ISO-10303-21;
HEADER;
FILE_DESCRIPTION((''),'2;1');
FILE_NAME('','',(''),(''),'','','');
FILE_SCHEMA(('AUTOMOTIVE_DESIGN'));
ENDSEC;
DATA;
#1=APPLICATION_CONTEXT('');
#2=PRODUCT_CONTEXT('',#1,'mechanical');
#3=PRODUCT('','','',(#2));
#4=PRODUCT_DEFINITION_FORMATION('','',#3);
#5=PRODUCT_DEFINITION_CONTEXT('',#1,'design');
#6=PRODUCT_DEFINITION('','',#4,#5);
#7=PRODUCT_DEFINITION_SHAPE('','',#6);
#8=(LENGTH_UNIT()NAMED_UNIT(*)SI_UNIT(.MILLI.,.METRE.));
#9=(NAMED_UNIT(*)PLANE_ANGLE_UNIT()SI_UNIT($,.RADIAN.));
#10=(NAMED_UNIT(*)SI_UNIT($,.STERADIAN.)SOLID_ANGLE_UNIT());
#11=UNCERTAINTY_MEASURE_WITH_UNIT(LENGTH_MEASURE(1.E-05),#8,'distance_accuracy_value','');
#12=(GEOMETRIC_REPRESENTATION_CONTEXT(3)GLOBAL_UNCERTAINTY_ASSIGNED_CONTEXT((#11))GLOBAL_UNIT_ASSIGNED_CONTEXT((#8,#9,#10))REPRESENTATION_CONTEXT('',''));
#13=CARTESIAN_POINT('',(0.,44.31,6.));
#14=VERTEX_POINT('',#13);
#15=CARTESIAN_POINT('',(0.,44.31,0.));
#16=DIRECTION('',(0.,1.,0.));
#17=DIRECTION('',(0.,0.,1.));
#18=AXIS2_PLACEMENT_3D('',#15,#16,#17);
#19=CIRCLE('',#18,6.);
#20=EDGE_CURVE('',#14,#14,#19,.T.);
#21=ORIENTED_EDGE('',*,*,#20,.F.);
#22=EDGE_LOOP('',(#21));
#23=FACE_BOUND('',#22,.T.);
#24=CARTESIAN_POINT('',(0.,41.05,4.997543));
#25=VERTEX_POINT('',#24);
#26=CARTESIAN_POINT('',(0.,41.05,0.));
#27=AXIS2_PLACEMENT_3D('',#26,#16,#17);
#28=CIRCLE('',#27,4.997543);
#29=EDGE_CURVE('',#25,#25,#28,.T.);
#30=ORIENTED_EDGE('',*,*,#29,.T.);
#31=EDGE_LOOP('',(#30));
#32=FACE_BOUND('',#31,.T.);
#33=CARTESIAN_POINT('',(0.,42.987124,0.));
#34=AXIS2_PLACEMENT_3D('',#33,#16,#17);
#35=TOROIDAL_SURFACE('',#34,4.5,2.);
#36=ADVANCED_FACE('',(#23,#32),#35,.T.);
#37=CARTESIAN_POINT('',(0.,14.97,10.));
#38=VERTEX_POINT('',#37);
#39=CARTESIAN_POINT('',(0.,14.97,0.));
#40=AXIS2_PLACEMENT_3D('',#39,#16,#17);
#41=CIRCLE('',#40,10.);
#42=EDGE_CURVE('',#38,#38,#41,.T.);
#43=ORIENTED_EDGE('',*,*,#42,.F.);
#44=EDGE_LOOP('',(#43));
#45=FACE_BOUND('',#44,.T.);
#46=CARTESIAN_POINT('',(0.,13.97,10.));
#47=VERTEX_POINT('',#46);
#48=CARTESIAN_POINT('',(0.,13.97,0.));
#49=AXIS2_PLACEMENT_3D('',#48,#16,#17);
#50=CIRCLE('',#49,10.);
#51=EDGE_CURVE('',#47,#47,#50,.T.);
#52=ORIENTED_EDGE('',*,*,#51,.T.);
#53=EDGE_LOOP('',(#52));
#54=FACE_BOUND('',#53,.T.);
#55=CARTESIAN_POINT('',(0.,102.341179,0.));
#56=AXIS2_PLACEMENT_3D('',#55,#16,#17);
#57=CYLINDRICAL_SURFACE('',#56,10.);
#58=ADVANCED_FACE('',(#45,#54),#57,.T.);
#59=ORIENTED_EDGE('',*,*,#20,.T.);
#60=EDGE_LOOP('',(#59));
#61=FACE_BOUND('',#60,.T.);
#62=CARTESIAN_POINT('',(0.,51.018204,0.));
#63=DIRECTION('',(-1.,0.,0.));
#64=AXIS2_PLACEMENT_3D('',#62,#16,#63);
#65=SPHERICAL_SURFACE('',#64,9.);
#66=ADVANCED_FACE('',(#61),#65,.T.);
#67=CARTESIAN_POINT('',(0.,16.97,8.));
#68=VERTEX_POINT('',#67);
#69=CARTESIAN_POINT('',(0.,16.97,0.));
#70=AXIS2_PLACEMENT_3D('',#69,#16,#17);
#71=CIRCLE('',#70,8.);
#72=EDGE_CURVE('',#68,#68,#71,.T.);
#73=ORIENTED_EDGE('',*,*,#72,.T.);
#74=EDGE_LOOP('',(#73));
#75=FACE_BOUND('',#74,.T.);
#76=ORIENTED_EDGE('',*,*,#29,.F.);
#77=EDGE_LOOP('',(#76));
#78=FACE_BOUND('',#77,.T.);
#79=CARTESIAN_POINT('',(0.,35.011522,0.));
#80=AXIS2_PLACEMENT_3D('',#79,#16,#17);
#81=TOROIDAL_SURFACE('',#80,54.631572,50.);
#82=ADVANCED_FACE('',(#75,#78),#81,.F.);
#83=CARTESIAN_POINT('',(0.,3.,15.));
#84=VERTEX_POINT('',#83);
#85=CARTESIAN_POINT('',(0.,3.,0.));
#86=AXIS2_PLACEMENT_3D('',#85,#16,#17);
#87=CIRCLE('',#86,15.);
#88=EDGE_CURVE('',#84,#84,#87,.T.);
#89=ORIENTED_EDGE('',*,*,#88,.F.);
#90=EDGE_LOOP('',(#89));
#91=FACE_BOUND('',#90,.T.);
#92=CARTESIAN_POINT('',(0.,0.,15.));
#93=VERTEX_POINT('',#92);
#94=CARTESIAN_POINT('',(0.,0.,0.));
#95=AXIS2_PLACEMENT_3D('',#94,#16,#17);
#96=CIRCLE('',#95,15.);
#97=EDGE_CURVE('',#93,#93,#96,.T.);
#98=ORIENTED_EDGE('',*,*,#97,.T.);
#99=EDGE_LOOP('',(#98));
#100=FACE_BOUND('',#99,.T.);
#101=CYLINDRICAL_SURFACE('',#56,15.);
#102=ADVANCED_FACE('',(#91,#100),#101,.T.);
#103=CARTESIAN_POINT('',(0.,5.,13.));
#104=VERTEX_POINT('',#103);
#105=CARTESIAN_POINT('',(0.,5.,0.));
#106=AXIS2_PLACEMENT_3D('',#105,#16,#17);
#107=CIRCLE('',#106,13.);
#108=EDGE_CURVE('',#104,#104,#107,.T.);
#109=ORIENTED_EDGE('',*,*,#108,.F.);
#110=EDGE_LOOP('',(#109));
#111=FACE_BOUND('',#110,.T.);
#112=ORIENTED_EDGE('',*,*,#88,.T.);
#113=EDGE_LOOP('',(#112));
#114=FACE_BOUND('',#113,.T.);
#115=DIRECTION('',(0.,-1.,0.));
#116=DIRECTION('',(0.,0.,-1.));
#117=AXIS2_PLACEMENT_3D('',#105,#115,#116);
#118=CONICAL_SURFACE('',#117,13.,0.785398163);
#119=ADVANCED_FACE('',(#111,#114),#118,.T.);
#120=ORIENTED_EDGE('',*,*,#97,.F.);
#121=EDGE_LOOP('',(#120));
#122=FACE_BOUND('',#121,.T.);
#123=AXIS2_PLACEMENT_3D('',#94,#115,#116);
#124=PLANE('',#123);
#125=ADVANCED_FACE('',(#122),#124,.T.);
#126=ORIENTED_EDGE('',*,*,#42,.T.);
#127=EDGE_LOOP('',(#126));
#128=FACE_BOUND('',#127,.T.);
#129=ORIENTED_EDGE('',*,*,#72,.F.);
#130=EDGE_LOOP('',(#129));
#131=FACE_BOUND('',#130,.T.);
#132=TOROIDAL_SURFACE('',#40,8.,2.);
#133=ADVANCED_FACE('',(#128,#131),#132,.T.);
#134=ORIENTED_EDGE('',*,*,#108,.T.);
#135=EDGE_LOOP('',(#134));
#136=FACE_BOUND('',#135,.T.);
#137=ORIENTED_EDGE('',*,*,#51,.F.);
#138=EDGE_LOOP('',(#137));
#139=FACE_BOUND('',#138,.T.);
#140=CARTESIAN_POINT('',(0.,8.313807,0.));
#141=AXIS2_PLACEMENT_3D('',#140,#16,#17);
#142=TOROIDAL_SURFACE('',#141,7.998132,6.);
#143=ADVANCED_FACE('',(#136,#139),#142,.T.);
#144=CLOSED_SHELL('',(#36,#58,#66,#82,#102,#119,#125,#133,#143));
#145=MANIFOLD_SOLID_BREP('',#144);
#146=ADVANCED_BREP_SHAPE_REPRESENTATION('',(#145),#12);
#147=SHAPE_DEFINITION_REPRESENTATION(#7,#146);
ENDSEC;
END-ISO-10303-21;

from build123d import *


with BuildPart() as part:
    # Çizim1 → Döndür1 (revolve)
    with BuildSketch(Plane.XY, mode=Mode.PRIVATE) as d_nd_r1_sk:
        with BuildLine():
            Line((0, 0), (-15, 0))
            Line((-15, 0), (-15, 3))
            Line((-15, 3), (-13, 5))
            ThreePointArc((-13, 5), (-13.688325627, 10.216881481), (-10, 13.97))
            Line((-10, 13.97), (-10, 14.97))
            ThreePointArc((-10, 14.97), (-9.414213562, 16.384213562), (-8, 16.97))
            ThreePointArc((-8, 16.97), (-5.015767327, 28.825089026), (-4.997543238, 41.05))
            ThreePointArc((-4.997543238, 41.05), (-6.411660207, 42.399284866), (-6, 44.31))
            ThreePointArc((-6, 44.31), (-8.407551231, 54.22960274), (0, 60.018203932))
            Line((0, 60.018203932), (0, 0))
        make_face()
    revolve(d_nd_r1_sk.sketch.rotate(Axis((0, 102.341178824, 0), (0, -1, 0)), 270), axis=Axis((0, 102.341178824, 0), (0, -1, 0)))


solid = part.part
